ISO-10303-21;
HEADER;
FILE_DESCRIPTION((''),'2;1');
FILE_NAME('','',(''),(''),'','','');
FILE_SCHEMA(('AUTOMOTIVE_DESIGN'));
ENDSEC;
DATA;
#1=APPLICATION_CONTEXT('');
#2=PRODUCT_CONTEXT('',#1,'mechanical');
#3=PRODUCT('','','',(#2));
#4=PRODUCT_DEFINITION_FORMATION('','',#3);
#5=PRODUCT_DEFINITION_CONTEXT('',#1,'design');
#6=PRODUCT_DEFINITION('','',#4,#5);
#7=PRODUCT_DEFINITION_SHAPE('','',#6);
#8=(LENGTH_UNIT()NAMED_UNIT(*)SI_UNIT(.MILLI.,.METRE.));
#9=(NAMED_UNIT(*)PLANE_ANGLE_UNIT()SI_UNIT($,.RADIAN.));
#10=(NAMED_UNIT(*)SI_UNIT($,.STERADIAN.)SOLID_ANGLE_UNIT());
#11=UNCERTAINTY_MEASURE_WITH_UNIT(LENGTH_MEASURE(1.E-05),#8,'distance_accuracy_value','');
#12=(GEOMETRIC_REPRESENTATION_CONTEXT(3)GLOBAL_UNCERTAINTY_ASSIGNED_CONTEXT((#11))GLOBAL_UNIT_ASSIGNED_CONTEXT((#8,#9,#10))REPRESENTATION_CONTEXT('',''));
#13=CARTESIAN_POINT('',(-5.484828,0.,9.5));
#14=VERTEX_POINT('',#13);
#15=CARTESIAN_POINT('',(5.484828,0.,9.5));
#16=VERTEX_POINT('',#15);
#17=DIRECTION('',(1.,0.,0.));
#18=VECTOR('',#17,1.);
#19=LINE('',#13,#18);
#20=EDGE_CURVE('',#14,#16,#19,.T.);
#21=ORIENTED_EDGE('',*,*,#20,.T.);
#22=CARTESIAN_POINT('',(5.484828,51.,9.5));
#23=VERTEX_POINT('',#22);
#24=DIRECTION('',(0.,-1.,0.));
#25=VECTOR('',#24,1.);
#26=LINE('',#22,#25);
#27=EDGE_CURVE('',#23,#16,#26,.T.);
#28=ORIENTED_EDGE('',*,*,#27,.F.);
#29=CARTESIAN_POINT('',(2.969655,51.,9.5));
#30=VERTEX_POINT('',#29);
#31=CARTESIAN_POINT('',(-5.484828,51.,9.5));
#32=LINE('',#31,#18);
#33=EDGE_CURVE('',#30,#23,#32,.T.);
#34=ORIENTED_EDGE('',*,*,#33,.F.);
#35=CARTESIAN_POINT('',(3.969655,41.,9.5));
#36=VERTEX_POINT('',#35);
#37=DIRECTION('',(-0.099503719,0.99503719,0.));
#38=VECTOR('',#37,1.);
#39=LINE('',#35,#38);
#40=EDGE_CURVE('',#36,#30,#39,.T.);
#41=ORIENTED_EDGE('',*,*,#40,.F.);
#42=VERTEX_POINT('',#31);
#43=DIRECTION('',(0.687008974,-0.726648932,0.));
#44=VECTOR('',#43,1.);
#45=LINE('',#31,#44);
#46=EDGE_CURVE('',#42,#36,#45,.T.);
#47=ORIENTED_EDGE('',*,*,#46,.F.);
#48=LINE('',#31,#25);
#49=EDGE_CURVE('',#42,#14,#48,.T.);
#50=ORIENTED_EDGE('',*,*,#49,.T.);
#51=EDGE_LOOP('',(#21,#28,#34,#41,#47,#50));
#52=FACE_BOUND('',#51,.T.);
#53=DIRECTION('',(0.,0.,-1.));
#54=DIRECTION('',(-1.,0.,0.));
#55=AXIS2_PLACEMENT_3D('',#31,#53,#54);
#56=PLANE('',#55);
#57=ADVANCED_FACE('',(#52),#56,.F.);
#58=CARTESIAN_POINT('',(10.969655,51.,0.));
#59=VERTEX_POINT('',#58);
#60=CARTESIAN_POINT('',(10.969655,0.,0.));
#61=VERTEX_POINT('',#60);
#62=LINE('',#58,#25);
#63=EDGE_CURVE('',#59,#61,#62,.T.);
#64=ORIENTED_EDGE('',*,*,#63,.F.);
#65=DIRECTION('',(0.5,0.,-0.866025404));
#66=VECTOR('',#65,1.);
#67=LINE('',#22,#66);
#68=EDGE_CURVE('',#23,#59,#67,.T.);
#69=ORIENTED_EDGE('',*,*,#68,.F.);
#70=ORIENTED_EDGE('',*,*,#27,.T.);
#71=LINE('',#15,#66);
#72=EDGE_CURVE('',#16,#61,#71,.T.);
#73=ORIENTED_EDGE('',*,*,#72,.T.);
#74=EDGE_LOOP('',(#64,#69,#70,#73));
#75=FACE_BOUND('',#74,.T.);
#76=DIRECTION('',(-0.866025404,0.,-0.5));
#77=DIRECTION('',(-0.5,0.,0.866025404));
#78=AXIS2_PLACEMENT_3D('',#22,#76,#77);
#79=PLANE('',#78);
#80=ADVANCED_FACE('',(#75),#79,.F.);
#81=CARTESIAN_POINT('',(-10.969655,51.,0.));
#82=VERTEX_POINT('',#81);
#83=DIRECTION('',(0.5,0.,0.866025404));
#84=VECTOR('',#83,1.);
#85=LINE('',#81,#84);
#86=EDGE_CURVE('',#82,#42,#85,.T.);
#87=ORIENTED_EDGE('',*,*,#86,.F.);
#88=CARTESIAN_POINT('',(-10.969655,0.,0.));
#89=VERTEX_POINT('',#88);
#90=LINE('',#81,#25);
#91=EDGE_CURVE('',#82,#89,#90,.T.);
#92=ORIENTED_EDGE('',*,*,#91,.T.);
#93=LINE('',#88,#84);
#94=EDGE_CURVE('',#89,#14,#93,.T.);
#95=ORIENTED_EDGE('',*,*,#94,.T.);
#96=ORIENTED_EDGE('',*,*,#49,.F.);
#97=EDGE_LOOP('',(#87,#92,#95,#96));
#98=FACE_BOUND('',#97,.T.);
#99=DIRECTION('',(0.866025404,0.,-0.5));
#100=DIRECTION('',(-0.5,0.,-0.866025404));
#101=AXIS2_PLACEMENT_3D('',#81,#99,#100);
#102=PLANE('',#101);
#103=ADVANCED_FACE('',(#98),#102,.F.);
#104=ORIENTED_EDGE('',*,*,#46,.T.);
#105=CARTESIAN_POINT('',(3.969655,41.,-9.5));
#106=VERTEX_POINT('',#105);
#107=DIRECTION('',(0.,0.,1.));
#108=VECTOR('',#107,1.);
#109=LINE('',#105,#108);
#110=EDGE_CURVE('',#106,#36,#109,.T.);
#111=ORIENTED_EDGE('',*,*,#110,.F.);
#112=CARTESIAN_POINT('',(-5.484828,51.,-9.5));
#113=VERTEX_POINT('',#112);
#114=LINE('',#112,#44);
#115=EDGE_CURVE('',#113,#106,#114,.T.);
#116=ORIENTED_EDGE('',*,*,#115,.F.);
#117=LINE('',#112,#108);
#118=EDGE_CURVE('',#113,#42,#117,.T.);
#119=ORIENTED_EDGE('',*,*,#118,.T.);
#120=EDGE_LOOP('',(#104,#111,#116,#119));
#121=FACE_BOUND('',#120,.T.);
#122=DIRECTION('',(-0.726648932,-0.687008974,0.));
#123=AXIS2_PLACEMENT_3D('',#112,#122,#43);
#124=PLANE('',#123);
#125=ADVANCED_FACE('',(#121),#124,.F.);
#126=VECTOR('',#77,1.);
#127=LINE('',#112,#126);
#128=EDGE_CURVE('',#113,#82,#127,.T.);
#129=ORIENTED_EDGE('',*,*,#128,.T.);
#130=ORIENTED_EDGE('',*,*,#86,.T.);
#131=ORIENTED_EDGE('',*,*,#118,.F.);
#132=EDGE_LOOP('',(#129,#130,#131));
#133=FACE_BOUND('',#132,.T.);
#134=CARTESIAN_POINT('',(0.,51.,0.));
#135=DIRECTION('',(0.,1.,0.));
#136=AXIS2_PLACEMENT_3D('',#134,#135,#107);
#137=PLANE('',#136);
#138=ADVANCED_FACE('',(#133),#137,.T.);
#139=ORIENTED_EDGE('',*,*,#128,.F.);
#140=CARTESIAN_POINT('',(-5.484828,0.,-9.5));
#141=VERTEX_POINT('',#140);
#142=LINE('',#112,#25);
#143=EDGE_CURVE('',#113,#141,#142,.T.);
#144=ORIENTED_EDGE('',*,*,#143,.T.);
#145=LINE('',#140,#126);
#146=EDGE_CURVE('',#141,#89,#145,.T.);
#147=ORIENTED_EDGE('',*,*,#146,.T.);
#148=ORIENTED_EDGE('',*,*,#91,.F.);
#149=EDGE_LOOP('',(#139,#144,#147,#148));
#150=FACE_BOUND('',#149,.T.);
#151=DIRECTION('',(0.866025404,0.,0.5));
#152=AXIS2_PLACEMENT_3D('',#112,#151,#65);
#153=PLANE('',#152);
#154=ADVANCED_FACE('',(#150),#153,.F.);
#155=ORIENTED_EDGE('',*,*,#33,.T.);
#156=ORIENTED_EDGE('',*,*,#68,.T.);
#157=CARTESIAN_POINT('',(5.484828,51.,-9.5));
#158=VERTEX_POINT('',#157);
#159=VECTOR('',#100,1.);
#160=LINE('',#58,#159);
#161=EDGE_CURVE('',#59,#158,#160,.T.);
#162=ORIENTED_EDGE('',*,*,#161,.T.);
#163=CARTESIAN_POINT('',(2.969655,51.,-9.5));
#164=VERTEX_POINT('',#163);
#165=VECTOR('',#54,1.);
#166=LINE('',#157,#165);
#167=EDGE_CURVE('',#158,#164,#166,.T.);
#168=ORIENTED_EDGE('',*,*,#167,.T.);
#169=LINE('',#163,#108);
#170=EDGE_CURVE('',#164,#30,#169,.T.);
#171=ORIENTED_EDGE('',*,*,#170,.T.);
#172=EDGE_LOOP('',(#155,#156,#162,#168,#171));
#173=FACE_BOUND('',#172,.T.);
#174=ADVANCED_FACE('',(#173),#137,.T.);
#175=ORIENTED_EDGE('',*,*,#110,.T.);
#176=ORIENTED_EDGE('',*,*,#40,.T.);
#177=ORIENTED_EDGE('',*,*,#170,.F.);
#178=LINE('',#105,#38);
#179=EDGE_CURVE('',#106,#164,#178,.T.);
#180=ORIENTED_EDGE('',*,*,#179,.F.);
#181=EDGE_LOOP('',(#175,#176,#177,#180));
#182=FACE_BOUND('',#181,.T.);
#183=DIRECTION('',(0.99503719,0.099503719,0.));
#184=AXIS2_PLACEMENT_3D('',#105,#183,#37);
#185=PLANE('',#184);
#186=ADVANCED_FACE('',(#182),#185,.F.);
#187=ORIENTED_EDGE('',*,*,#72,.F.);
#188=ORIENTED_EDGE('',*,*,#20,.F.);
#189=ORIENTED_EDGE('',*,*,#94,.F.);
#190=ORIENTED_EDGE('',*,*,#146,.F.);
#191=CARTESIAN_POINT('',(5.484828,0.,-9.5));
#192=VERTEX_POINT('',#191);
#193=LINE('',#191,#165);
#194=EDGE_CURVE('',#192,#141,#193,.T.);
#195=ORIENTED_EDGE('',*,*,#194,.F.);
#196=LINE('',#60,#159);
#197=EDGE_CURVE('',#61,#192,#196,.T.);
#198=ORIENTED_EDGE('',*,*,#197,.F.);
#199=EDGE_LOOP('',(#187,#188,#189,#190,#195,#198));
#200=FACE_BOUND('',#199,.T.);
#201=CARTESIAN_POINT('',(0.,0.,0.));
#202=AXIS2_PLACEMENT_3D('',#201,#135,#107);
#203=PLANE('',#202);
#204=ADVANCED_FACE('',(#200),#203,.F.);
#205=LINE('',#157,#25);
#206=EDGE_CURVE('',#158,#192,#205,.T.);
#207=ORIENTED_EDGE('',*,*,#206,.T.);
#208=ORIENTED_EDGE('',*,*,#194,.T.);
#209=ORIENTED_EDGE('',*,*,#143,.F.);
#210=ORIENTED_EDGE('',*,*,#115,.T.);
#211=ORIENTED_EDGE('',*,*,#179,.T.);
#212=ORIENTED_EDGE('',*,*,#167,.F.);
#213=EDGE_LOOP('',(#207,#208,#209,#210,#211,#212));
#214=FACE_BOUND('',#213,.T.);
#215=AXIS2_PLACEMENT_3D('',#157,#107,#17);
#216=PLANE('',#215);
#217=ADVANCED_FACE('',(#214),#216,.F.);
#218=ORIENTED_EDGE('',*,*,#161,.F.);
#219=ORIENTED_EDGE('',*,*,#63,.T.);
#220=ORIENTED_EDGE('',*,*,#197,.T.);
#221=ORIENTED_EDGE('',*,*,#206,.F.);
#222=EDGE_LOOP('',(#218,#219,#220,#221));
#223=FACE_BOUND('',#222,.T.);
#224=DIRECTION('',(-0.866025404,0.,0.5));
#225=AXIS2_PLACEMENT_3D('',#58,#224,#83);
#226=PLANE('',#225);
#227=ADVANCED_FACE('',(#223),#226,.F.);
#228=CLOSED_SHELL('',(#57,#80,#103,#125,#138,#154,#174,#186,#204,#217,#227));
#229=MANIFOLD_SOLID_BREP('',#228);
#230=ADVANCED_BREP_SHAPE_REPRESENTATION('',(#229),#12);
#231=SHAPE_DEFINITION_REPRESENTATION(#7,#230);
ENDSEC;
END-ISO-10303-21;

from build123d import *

# Parameters (mm, degrees)
BOSS_EXTRUDE1_DEPTH     = 51
CUT_EXTRUDE1_DEPTH      = 54.024365468
CUT_EXTRUDE1_DEPTH_BACK = 54.024365468


with BuildPart() as part:
    # Sketch1 → Boss-Extrude1 (new body)
    with BuildSketch(Plane(origin=(0, 0, 0), x_dir=(1, 0, 0), z_dir=(0, 1, 0))):
        Polygon((-5.484827557, -9.5), (5.484827557, -9.5), (10.969655115, 0), (5.484827557, 9.5), (-5.484827557, 9.5), (-10.969655115, 0), align=None)
    extrude(amount=BOSS_EXTRUDE1_DEPTH)

    # Sketch3 → Cut-Extrude1 (cut, two sides: drawn at the far end of the back side and taken through both)
    with BuildSketch(Plane.XY.offset(-CUT_EXTRUDE1_DEPTH_BACK)):
        Polygon((-5.484827557, 51), (3.969655115, 41), (2.969655115, 51), align=None)
    extrude(amount=CUT_EXTRUDE1_DEPTH + CUT_EXTRUDE1_DEPTH_BACK, mode=Mode.SUBTRACT)


solid = part.part
